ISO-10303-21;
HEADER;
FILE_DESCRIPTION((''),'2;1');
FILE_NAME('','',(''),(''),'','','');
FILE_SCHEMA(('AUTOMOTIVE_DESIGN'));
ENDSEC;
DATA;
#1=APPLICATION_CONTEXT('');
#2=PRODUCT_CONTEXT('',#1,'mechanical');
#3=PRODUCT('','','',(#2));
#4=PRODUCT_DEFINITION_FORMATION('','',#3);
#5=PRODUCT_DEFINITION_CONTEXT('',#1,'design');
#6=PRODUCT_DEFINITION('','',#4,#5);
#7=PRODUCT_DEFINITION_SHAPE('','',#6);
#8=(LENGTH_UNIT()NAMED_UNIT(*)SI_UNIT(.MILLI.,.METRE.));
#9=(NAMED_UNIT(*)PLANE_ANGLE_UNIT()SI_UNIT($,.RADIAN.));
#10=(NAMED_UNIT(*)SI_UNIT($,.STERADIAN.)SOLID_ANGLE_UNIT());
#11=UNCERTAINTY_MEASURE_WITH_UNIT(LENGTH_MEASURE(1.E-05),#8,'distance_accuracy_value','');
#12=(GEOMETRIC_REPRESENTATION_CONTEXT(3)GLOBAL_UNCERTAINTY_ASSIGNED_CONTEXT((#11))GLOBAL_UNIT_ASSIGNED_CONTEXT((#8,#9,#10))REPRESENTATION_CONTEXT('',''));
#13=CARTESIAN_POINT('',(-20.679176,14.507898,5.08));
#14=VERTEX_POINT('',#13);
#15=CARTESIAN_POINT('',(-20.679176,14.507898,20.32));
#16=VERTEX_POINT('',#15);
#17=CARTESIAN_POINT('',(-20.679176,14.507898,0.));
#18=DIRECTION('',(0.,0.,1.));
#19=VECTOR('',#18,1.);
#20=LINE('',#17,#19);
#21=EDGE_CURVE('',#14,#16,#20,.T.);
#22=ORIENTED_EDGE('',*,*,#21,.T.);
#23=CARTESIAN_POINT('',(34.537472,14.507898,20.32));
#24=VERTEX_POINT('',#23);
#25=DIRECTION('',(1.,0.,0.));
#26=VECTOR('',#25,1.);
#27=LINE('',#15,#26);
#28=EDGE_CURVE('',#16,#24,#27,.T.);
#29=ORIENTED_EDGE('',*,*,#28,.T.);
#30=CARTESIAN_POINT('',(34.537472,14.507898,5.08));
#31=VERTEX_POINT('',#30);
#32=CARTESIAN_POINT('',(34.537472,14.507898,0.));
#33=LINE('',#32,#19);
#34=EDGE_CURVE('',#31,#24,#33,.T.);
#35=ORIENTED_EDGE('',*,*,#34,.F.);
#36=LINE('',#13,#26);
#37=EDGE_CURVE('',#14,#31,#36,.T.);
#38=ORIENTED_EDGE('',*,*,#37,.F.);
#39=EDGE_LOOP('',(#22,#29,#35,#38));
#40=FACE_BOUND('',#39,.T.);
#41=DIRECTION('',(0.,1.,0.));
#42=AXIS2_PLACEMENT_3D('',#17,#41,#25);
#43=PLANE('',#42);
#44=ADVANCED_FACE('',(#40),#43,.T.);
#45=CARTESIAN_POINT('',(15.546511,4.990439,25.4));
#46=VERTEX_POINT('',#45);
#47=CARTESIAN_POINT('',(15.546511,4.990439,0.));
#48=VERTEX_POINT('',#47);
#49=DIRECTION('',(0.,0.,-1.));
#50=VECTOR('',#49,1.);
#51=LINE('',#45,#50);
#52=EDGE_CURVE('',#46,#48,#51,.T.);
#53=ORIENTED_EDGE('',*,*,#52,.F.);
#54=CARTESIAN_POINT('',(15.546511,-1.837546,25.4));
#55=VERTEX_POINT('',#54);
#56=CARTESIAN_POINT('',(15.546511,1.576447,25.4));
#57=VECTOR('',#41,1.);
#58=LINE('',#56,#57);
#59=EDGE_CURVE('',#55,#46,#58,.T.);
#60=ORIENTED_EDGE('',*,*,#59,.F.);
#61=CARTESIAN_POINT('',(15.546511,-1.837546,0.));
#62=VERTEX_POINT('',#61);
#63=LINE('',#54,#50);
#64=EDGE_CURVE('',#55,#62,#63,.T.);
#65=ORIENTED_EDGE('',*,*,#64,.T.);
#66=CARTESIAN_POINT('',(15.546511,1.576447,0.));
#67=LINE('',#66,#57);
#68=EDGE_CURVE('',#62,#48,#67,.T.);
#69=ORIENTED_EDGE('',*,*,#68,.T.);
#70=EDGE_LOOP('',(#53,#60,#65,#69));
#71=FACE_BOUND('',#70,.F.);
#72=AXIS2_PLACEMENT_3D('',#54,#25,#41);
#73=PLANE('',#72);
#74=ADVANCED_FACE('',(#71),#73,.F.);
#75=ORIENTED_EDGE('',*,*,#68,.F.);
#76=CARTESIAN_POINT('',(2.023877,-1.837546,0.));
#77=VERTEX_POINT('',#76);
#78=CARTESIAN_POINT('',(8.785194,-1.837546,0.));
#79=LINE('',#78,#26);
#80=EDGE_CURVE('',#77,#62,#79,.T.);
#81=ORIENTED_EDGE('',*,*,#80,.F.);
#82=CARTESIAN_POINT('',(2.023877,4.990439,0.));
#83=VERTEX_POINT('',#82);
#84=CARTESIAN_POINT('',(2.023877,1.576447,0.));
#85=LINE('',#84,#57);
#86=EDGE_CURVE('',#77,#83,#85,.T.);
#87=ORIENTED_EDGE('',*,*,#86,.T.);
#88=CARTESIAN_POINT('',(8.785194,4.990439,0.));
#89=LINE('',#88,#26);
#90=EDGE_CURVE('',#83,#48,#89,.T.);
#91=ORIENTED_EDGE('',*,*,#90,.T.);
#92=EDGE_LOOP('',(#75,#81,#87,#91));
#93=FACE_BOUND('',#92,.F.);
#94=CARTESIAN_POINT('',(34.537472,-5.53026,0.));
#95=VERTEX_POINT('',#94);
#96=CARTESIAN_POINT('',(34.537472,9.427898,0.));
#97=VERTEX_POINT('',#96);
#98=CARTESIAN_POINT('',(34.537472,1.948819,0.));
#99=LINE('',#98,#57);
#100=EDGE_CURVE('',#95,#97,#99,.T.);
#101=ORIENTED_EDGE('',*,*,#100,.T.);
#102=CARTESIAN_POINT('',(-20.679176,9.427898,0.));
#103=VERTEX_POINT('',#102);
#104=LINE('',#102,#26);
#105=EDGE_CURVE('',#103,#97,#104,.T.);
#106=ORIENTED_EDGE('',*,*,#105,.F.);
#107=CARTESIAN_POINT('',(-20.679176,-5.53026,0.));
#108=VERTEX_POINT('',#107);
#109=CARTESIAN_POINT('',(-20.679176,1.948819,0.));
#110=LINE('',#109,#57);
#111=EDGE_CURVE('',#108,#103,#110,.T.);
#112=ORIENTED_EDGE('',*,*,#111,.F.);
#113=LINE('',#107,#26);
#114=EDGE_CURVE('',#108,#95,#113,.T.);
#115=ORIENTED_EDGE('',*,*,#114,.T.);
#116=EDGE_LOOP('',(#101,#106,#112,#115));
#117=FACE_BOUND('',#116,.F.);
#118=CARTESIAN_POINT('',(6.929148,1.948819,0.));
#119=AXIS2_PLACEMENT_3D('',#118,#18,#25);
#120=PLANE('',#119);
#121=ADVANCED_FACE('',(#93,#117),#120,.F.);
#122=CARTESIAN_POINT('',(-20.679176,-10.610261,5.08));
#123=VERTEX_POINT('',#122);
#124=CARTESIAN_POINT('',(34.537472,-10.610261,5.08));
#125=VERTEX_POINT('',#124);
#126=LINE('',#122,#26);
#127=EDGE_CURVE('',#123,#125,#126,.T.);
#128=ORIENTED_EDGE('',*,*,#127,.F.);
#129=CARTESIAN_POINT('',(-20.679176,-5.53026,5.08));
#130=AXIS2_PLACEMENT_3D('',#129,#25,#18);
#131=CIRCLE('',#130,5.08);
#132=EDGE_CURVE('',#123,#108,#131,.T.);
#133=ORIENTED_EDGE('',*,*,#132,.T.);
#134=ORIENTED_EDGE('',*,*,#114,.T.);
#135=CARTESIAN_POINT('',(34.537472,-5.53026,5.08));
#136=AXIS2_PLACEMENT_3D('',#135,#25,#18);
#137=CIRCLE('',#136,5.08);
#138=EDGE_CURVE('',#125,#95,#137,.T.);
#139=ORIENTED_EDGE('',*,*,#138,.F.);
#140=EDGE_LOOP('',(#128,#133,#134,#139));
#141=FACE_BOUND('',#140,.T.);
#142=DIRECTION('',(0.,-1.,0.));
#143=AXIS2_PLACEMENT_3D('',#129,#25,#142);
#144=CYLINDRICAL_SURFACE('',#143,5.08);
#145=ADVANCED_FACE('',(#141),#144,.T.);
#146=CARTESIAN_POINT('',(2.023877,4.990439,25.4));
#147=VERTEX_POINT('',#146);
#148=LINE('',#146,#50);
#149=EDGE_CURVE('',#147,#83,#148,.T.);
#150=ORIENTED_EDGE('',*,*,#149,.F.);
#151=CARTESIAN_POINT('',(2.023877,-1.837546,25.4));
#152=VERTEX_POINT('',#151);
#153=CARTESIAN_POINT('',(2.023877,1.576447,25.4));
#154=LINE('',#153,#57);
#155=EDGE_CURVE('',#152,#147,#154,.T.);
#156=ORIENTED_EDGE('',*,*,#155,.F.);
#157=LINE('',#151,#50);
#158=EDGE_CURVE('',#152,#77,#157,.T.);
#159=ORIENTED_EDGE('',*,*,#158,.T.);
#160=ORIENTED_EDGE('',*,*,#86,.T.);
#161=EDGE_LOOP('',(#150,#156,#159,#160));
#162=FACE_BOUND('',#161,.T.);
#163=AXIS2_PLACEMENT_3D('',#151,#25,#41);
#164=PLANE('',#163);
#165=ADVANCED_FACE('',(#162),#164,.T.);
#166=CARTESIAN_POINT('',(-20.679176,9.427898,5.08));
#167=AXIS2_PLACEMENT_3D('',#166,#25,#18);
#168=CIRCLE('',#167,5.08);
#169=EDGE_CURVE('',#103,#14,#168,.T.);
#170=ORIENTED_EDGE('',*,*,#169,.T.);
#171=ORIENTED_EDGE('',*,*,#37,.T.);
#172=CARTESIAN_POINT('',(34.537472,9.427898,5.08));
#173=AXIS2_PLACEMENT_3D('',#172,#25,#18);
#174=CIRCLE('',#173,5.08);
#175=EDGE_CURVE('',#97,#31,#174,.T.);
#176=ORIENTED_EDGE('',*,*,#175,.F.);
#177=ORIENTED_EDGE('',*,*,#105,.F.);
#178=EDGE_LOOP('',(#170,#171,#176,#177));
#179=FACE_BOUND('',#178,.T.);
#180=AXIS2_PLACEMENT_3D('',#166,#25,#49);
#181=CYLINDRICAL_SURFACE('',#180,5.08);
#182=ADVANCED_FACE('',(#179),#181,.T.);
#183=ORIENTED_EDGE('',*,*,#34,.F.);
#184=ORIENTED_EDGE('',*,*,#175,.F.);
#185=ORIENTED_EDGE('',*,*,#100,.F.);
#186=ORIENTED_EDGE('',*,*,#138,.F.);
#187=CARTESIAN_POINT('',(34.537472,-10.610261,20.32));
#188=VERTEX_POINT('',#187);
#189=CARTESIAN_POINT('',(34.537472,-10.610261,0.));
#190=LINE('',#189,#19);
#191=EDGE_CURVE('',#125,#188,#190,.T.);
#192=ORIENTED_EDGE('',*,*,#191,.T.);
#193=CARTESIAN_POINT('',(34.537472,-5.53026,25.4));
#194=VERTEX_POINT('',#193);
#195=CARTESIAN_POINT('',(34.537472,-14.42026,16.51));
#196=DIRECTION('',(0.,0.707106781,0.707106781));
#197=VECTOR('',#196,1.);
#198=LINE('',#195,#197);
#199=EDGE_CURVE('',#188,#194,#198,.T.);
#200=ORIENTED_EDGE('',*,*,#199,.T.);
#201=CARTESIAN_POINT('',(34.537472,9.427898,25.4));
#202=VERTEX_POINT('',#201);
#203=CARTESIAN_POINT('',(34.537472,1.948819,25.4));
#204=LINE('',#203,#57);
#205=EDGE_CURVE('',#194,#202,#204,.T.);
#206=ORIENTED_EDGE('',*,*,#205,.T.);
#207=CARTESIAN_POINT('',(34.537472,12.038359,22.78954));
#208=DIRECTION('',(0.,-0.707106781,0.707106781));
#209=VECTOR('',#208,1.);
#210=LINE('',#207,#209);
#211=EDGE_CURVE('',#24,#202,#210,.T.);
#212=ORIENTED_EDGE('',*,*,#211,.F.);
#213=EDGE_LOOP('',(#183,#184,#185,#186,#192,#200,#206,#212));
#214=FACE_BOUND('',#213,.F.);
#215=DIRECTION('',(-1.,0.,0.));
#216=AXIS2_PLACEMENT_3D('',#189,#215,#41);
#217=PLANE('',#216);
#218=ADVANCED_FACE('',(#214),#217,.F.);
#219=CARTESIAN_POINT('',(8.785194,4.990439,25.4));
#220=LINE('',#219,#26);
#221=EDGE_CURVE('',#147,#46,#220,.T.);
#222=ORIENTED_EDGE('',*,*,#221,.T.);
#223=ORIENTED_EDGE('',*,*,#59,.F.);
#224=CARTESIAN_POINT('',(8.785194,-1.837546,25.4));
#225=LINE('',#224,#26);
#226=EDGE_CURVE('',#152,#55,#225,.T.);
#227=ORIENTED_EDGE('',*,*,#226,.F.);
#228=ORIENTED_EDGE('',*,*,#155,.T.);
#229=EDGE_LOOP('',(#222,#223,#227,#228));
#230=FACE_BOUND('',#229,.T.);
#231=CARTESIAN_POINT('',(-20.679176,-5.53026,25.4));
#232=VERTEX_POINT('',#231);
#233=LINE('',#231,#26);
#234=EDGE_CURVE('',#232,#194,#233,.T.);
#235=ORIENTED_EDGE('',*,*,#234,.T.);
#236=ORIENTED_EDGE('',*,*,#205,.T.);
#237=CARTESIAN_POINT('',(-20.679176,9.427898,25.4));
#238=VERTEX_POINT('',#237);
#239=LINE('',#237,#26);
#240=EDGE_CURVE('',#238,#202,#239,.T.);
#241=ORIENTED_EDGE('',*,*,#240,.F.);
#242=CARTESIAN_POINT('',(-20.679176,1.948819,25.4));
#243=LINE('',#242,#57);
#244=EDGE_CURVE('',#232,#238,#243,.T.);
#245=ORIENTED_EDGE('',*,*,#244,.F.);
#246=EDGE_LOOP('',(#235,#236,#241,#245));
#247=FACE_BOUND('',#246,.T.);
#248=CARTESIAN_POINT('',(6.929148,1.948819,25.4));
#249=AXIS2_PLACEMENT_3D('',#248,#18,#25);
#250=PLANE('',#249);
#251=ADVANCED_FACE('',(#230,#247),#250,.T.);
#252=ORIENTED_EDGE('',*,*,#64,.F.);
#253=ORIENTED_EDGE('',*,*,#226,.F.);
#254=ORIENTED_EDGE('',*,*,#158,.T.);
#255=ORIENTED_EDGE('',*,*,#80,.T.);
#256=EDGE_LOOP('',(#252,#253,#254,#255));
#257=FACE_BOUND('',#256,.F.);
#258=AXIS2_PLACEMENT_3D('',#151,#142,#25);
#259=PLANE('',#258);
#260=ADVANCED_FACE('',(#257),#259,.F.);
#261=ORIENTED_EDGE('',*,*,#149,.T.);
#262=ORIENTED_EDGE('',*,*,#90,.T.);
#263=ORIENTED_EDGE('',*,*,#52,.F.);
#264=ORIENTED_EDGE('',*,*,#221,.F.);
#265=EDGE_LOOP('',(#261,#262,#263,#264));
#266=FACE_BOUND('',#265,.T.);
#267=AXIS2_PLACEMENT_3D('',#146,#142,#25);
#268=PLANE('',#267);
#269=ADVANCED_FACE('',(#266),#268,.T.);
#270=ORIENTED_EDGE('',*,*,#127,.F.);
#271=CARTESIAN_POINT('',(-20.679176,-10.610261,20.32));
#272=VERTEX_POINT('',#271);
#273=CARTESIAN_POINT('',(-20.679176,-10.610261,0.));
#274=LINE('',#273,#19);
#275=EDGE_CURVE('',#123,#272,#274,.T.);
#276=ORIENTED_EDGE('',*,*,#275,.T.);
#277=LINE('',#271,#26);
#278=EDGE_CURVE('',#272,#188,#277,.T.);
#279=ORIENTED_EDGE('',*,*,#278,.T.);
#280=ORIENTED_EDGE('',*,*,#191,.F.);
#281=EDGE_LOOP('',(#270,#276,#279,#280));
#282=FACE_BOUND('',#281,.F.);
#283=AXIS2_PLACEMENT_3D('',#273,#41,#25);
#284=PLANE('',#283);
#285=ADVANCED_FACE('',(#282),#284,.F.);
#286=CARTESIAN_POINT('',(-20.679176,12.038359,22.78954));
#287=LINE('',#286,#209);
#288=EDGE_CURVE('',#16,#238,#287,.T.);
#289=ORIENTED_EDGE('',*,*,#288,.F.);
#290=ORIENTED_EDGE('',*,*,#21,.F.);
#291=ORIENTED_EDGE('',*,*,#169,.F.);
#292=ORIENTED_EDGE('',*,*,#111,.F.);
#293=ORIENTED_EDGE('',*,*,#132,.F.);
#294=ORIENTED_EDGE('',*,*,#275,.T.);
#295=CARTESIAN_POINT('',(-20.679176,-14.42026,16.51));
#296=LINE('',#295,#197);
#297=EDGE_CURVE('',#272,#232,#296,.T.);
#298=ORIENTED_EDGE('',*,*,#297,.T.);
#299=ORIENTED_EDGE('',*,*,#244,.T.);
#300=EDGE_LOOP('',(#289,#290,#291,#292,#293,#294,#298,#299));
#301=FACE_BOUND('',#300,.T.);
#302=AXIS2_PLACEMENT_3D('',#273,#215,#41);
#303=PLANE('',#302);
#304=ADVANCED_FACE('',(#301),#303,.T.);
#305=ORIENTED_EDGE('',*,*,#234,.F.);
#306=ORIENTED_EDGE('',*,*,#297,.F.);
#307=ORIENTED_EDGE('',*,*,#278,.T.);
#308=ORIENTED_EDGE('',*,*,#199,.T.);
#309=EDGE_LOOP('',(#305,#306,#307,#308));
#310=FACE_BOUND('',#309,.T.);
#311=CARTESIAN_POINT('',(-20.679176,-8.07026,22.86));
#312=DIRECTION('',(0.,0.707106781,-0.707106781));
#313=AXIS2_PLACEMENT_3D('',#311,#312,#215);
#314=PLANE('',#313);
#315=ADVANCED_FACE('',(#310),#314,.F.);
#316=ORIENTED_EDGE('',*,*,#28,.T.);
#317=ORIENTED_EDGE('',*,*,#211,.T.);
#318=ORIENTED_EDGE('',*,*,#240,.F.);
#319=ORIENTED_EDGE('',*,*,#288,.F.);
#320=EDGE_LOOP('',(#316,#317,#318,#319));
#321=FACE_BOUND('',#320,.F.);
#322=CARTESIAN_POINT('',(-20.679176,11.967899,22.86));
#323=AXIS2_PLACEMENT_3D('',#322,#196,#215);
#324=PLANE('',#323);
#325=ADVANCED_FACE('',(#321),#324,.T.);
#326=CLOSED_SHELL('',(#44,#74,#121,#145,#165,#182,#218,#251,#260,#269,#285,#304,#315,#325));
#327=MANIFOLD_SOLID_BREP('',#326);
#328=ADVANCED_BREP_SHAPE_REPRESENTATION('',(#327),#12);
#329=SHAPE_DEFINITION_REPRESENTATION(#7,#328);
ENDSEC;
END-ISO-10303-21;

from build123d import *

# Parameters (mm, degrees)
F0_W     = 55.216648
F0_H     = 25.118159
F1_DEPTH = 25.4
F2_W     = 13.522635
F2_H     = 6.827985
F3_DEPTH = 25.4
F4_SIZE  = 5.08
F5_R     = 5.08


with BuildPart() as f1:
    # F0 (on Top) → F1 (new body)
    with BuildSketch(Plane.XY):
        with Locations((6.929148, 1.948819)):
            Rectangle(F0_W, F0_H)
    extrude(amount=F1_DEPTH)

    # F2 (on face) → F3 (cut)
    with BuildSketch(Plane.XY.offset(25.4)):
        with Locations((8.785194, 1.576447)):
            Rectangle(F2_W, F2_H)
    extrude(amount=-F3_DEPTH, mode=Mode.SUBTRACT)

    # F4
    f4_edges = [f1.edges().sort_by_distance(p)[0] for p in [
        (6.929148, 14.507899, 25.4),
        (6.929148, -10.61026, 25.4),
    ]]
    chamfer(f4_edges, length=F4_SIZE)

    # F5
    f5_edges = [f1.edges().sort_by_distance(p)[0] for p in [
        (6.929148, -10.61026, 0),
        (6.929148, 14.507899, 0),
    ]]
    fillet(f5_edges, radius=F5_R)


solid = f1.part
